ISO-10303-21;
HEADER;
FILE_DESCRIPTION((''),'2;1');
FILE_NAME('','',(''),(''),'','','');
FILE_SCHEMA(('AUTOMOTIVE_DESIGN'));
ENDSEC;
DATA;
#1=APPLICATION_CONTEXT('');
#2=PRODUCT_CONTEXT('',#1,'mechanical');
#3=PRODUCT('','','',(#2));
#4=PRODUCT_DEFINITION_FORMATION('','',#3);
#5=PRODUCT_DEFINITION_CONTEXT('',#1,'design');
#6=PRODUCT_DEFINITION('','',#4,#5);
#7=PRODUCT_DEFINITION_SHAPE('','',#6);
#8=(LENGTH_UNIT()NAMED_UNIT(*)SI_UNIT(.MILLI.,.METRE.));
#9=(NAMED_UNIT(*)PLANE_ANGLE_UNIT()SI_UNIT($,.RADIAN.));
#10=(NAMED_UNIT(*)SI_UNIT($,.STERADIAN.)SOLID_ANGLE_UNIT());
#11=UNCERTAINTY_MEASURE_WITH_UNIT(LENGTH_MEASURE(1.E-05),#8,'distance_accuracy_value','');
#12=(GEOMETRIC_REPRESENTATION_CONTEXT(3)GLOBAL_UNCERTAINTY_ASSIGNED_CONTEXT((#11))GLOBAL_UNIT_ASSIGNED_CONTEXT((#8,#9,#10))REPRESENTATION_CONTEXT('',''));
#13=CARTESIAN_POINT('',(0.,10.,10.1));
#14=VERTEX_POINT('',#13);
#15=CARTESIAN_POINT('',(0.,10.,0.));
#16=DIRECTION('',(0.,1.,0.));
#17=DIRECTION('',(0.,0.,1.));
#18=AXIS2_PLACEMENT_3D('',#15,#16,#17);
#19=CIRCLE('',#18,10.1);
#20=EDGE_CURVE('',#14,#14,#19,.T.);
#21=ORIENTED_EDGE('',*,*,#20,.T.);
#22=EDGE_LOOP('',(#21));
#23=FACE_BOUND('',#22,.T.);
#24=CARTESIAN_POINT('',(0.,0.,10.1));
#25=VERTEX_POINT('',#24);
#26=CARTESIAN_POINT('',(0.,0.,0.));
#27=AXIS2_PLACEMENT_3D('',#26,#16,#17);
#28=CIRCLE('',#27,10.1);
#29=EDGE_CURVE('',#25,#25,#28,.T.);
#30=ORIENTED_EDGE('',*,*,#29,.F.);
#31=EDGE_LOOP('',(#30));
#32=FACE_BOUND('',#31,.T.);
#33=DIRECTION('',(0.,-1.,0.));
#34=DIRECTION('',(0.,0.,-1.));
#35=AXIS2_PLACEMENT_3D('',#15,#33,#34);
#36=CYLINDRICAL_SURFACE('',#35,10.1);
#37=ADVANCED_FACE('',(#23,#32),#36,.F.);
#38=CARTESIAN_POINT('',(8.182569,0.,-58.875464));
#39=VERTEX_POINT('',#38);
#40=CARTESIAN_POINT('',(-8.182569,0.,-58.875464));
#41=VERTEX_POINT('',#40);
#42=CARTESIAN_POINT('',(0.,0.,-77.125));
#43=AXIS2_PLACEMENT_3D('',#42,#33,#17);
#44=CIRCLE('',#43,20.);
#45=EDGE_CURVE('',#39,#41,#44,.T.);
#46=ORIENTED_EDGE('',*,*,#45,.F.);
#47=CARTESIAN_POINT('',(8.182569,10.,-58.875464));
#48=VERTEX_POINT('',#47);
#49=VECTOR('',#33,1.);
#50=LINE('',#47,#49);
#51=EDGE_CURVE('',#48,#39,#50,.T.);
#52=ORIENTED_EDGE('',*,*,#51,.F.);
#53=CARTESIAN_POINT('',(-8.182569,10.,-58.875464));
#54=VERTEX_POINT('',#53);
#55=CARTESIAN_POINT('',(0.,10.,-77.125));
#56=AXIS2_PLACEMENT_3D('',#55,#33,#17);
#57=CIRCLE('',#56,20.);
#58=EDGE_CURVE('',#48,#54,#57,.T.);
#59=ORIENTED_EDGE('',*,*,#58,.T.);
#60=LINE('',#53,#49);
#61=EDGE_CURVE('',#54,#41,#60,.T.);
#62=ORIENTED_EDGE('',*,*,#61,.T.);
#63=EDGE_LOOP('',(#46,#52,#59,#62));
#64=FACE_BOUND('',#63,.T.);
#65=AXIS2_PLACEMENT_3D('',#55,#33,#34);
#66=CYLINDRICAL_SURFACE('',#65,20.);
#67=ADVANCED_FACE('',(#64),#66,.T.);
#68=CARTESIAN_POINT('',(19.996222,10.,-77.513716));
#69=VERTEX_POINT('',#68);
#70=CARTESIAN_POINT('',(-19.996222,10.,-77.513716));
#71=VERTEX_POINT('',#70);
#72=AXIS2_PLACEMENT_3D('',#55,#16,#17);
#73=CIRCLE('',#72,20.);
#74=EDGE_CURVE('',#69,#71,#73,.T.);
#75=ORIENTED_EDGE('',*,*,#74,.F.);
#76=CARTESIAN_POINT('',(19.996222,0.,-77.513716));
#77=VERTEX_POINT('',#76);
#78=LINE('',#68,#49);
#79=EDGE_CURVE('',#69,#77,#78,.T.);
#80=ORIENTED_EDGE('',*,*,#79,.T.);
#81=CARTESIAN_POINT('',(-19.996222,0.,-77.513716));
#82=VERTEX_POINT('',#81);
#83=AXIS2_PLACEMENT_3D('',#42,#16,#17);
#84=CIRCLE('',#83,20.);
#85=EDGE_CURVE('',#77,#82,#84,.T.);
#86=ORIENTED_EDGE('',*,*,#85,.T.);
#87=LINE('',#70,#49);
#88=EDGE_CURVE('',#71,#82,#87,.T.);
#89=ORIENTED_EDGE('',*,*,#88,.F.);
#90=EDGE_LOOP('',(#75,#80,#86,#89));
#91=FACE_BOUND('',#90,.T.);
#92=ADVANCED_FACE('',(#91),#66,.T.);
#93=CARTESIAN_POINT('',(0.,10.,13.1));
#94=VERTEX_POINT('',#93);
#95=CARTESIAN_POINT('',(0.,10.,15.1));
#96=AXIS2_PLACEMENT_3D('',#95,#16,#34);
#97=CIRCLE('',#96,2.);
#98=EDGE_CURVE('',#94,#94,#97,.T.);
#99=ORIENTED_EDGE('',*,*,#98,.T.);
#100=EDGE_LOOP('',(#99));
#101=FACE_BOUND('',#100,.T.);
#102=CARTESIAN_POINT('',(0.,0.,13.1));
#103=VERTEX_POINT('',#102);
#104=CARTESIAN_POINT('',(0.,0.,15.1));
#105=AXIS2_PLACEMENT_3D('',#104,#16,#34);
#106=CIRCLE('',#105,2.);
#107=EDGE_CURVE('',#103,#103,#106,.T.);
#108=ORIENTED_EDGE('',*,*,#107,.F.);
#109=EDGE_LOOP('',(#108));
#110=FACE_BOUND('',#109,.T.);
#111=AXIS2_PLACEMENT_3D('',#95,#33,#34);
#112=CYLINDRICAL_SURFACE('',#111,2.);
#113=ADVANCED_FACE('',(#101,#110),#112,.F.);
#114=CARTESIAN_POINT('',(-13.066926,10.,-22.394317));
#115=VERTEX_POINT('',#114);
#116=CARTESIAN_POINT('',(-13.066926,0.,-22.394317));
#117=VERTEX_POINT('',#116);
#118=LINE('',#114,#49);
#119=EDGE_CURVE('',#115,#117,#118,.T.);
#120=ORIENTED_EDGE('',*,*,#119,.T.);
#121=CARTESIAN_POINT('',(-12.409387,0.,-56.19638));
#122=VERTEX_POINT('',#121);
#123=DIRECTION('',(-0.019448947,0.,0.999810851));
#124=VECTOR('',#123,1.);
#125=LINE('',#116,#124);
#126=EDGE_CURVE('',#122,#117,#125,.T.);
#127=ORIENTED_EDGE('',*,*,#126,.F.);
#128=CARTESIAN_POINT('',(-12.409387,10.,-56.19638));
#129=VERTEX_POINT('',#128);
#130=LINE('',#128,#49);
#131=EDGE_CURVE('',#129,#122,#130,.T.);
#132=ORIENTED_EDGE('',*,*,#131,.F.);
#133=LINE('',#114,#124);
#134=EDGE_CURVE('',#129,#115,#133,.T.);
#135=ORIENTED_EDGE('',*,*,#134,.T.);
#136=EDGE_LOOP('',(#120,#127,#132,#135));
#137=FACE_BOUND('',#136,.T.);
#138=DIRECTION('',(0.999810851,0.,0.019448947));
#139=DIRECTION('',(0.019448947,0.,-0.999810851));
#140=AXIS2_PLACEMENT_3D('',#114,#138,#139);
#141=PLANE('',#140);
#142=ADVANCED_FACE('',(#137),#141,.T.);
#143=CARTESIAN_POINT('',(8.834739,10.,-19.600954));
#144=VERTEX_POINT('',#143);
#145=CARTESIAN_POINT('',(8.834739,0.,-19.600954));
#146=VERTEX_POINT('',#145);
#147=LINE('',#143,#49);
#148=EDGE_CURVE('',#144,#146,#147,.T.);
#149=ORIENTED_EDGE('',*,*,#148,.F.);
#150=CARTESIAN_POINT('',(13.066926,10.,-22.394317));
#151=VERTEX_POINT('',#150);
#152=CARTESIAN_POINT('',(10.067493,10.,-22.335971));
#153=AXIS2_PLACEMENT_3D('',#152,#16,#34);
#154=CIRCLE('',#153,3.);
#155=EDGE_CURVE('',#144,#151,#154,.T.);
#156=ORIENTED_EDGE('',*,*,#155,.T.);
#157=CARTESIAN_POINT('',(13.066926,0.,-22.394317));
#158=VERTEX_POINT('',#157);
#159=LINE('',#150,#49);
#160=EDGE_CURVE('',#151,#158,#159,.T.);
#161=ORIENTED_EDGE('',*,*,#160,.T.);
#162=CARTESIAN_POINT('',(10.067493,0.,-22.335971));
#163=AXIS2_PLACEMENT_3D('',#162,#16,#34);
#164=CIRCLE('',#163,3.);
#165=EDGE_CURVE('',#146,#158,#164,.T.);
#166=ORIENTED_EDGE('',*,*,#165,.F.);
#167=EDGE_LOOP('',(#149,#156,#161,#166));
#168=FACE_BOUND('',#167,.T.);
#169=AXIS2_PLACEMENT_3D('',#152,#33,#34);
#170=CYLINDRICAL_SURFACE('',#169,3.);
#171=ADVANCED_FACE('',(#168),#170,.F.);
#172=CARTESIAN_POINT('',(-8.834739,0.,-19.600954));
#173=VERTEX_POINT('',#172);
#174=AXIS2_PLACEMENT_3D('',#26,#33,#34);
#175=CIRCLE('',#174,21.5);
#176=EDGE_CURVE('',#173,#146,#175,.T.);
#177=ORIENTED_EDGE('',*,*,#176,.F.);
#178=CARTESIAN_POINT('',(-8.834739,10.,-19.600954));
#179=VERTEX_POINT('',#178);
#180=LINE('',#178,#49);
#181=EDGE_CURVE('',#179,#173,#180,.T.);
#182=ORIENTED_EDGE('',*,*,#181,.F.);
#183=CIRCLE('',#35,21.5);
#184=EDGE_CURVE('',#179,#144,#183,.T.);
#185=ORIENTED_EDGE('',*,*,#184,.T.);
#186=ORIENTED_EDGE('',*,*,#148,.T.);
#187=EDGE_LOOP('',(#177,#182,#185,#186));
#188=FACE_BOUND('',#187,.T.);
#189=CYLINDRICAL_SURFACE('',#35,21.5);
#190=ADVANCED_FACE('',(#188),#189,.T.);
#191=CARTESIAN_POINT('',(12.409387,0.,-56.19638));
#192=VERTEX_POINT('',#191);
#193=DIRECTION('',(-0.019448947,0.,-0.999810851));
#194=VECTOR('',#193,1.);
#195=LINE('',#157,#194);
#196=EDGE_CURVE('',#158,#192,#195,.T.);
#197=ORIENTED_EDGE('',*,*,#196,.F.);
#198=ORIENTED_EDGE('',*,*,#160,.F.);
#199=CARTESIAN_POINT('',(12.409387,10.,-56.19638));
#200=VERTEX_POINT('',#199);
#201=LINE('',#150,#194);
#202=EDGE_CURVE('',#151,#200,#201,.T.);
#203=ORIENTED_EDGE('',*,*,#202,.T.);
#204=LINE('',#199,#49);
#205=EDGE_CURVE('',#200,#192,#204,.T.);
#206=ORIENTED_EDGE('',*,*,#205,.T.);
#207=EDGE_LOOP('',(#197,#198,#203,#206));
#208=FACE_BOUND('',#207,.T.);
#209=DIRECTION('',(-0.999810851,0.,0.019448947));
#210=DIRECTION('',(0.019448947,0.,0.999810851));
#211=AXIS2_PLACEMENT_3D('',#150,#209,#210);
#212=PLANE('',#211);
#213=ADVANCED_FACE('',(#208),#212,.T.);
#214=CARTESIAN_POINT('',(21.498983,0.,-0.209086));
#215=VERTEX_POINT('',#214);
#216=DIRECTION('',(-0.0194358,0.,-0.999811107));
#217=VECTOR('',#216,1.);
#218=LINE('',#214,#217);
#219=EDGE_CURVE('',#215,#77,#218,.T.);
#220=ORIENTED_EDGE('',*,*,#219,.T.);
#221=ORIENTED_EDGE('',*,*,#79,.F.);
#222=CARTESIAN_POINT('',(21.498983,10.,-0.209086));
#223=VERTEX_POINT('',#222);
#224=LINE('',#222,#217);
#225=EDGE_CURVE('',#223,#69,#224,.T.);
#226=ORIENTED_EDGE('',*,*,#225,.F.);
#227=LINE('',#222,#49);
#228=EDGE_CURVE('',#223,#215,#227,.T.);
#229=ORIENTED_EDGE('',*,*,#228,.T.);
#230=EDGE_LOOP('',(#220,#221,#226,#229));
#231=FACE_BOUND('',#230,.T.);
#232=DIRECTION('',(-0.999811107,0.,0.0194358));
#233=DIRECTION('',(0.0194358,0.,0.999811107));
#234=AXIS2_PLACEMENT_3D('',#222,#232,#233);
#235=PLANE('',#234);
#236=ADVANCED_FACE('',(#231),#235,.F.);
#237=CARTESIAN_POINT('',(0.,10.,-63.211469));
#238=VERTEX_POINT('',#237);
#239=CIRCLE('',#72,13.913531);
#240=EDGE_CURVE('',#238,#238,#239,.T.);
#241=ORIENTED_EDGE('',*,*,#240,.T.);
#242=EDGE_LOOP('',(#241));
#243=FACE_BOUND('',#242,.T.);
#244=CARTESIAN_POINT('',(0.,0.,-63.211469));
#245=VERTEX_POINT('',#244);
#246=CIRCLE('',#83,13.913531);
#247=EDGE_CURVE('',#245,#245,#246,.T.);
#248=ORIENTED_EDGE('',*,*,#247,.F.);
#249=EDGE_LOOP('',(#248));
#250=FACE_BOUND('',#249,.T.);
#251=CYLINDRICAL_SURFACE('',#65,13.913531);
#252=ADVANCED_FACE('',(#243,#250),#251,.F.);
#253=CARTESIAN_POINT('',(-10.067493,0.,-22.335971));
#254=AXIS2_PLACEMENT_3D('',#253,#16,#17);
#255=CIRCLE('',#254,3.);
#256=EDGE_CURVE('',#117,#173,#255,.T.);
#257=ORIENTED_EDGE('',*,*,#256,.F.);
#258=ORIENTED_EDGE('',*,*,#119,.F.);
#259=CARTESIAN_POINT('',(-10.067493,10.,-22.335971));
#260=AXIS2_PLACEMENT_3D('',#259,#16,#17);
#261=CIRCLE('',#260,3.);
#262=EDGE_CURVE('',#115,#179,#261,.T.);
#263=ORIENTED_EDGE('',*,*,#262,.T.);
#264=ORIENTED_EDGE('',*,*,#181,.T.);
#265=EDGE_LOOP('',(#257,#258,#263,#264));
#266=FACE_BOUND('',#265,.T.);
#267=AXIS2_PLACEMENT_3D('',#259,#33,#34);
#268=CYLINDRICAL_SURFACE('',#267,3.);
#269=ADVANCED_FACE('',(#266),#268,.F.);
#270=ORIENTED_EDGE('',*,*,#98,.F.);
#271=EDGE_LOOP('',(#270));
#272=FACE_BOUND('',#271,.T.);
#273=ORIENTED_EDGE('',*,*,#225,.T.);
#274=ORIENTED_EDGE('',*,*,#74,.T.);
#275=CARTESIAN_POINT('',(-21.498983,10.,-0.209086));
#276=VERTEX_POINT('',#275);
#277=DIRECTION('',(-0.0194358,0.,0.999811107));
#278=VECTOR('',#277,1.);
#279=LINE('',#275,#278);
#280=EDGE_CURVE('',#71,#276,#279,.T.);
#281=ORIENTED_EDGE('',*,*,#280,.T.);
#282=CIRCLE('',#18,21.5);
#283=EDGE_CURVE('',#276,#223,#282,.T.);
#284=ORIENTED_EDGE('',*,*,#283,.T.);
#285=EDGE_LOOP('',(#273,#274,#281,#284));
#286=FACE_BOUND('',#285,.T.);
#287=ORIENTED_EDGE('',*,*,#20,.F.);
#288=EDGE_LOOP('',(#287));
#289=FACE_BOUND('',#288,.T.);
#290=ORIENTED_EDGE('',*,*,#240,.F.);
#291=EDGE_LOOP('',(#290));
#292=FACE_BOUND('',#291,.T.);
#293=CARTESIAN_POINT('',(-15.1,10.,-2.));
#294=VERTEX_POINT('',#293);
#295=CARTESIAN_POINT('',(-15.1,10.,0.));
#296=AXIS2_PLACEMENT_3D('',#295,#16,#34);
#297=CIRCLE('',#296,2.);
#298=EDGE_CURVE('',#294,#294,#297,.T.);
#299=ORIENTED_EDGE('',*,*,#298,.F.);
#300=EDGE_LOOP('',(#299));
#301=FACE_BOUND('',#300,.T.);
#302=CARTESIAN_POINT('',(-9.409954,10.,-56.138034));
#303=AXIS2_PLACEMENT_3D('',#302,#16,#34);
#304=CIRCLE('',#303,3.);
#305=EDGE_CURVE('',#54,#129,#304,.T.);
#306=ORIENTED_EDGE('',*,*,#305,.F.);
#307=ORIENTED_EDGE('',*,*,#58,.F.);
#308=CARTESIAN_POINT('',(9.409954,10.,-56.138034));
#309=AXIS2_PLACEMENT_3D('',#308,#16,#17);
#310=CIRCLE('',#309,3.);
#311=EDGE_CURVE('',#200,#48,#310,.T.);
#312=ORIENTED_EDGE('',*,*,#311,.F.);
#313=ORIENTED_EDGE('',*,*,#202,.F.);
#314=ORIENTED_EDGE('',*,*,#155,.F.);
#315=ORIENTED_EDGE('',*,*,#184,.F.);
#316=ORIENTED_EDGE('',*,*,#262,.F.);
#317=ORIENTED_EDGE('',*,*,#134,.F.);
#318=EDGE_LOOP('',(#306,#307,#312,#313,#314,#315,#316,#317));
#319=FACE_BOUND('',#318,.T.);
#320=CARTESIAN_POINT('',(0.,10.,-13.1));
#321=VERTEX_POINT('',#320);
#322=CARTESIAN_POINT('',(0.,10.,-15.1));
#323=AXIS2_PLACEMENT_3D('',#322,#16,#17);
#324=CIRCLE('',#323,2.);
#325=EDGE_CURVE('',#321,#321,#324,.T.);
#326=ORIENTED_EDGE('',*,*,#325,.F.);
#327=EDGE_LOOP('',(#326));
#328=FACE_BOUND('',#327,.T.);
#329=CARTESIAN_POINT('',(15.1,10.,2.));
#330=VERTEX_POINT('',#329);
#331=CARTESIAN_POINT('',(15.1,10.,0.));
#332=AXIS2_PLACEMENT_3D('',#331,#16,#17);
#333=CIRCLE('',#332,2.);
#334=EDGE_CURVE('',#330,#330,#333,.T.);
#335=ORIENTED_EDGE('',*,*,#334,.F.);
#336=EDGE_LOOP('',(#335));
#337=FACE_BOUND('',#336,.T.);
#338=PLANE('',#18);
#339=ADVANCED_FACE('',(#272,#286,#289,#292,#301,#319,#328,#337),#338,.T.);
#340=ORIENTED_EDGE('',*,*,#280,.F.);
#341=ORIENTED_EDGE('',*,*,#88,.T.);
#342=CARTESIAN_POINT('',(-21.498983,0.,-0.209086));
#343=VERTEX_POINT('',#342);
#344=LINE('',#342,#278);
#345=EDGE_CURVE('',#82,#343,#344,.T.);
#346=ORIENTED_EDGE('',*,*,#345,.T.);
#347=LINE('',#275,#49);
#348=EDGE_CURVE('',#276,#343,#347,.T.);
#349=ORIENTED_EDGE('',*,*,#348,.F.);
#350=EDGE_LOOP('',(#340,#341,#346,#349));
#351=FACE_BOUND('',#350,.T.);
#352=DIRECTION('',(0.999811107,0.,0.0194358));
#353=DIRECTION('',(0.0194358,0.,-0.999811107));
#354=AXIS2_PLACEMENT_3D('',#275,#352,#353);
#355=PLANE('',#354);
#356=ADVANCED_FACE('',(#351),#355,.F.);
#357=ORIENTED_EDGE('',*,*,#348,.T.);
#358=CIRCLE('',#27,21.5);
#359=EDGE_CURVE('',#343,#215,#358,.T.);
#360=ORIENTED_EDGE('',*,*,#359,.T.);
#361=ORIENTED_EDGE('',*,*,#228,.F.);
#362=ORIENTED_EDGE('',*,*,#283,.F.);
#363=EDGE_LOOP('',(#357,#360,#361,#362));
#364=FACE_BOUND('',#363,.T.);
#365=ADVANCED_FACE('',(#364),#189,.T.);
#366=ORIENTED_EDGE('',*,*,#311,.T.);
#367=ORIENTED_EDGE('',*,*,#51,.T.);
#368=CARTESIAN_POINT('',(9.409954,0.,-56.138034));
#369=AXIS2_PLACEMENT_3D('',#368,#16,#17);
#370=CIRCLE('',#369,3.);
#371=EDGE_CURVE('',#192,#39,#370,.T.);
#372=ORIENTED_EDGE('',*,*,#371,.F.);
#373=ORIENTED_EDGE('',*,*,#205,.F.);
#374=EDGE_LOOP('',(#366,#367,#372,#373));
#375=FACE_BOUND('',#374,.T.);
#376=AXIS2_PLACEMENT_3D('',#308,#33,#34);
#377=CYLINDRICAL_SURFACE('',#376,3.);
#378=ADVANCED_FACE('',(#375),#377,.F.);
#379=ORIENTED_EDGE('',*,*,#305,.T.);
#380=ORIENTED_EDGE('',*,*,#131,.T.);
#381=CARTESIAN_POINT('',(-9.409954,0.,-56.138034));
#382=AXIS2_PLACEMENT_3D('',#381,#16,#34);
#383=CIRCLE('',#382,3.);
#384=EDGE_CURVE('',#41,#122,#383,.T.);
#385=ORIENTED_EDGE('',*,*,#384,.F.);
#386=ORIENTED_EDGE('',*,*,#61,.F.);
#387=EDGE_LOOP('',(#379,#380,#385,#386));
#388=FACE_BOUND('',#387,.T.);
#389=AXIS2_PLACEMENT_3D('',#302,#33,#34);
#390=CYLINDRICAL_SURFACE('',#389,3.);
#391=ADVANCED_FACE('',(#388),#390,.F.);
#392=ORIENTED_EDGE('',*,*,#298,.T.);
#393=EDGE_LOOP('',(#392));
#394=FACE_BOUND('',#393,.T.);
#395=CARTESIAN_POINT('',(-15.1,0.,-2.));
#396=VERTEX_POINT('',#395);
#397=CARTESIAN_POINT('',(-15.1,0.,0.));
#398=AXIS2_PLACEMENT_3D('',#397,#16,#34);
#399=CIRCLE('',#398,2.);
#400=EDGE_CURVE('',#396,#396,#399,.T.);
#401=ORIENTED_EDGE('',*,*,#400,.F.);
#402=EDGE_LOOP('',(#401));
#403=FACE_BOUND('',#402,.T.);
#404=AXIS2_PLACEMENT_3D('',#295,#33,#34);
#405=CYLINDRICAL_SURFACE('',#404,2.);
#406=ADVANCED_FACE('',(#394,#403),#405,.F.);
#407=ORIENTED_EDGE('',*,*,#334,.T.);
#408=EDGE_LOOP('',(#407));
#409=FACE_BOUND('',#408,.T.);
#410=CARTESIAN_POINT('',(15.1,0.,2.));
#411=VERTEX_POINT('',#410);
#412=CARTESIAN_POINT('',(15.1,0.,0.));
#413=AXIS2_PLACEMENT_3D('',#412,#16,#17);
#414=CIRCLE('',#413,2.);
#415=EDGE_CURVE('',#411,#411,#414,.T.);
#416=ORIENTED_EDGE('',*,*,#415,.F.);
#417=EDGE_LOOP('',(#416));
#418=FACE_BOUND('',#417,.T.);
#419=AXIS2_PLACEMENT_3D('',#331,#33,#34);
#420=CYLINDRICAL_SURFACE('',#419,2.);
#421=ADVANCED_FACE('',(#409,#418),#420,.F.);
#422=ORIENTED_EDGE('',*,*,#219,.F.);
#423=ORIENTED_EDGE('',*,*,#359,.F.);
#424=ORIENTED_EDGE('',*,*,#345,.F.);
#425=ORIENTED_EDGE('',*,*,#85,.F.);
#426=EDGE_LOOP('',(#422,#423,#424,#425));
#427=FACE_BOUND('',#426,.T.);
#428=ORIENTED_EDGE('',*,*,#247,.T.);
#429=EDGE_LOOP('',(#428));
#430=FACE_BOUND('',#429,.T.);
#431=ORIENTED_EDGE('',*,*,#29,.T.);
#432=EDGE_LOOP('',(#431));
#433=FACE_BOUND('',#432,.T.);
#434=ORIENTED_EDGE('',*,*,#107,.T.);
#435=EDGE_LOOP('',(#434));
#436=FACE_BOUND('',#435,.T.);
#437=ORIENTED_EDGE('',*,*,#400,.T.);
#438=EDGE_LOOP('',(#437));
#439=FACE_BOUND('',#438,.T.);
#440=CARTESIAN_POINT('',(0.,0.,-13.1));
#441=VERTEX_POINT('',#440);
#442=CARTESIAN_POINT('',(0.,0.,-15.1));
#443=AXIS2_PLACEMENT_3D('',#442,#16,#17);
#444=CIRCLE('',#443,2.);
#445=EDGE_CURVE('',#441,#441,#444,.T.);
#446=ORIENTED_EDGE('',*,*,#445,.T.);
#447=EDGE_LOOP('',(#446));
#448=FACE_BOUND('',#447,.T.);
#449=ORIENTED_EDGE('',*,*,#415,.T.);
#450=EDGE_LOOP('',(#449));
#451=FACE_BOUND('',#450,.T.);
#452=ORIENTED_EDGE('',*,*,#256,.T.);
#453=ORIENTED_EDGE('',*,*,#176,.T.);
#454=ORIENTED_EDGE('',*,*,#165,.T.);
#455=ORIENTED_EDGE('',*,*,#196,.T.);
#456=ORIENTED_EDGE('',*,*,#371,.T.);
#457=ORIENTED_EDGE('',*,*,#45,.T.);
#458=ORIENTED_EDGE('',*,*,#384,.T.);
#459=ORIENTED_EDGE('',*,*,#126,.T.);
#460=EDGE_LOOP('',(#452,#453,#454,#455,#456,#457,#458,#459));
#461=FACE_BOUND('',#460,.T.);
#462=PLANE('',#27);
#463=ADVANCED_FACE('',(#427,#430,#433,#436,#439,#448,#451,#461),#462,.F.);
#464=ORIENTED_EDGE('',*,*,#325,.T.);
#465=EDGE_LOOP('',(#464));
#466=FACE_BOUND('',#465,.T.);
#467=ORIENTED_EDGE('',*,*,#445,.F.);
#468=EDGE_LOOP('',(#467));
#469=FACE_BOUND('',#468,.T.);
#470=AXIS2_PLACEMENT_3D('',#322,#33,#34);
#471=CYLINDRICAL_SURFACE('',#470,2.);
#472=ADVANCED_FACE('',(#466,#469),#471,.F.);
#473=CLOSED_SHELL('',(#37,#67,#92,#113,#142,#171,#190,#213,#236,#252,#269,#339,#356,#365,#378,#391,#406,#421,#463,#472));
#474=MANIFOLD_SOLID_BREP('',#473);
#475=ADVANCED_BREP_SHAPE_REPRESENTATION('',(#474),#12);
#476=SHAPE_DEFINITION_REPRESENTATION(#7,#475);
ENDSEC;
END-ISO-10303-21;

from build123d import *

# Parameters (mm, degrees)
SKETCH1_R           = 13.91353128
SKETCH1_R_2         = 2
SKETCH1_R_3         = 10.1
BOSS_EXTRUDE1_DEPTH = 10


with BuildPart() as part:
    # Sketch1 → Boss-Extrude1 (new body)
    with BuildSketch(Plane(origin=(0, 0, 0), x_dir=(1, 0, 0), z_dir=(0, 1, 0))):
        with BuildLine():
            Line((21.498983302, 0.209086062), (19.99622214, 77.513715994))
            ThreePointArc((19.99622214, 77.513715994), (0, 97.125), (-19.99622214, 77.513715994))
            Line((-19.99622214, 77.513715994), (-21.498983302, 0.209086062))
            ThreePointArc((-21.498983302, 0.209086062), (0, -21.5), (21.498983302, 0.209086062))
        make_face()
        with Locations(Location((0, 77.125, 0), (0, 0, 270))):
            Circle(SKETCH1_R, mode=Mode.SUBTRACT)
        with Locations(Location((0, 15.1, 0), (0, 0, 270))):
            Circle(SKETCH1_R_2, mode=Mode.SUBTRACT)
        with Locations(Location((15.1, 0, 0), (0, 0, 270))):
            Circle(SKETCH1_R_2, mode=Mode.SUBTRACT)
        with Locations(Location((0, -15.1, 0), (0, 0, 90))):
            Circle(SKETCH1_R_2, mode=Mode.SUBTRACT)
        with Locations(Location((0, 0, 0), (0, 0, 270))):
            Circle(SKETCH1_R_3, mode=Mode.SUBTRACT)
        with Locations(Location((-15.1, 0, 0), (0, 0, 90))):
            Circle(SKETCH1_R_2, mode=Mode.SUBTRACT)
        with BuildLine():
            Line((13.06692571, 22.394317415), (12.409386822, 56.196380392))
            ThreePointArc((12.409386822, 56.196380392), (11.016008446, 58.671921864), (8.182568929, 58.875463959))
            ThreePointArc((8.182568929, 58.875463959), (0, 57.125), (-8.182568929, 58.875463959))
            ThreePointArc((-8.182568929, 58.875463959), (-11.016008446, 58.671921864), (-12.409386822, 56.196380392))
            Line((-12.409386822, 56.196380392), (-13.06692571, 22.394317415))
            ThreePointArc((-13.06692571, 22.394317415), (-11.720069374, 19.832175089), (-8.834738892, 19.600953771))
            ThreePointArc((-8.834738892, 19.600953771), (0, 21.5), (8.834738892, 19.600953771))
            ThreePointArc((8.834738892, 19.600953771), (11.720069374, 19.832175089), (13.06692571, 22.394317415))
        make_face(mode=Mode.SUBTRACT)
    extrude(amount=BOSS_EXTRUDE1_DEPTH)


solid = part.part
